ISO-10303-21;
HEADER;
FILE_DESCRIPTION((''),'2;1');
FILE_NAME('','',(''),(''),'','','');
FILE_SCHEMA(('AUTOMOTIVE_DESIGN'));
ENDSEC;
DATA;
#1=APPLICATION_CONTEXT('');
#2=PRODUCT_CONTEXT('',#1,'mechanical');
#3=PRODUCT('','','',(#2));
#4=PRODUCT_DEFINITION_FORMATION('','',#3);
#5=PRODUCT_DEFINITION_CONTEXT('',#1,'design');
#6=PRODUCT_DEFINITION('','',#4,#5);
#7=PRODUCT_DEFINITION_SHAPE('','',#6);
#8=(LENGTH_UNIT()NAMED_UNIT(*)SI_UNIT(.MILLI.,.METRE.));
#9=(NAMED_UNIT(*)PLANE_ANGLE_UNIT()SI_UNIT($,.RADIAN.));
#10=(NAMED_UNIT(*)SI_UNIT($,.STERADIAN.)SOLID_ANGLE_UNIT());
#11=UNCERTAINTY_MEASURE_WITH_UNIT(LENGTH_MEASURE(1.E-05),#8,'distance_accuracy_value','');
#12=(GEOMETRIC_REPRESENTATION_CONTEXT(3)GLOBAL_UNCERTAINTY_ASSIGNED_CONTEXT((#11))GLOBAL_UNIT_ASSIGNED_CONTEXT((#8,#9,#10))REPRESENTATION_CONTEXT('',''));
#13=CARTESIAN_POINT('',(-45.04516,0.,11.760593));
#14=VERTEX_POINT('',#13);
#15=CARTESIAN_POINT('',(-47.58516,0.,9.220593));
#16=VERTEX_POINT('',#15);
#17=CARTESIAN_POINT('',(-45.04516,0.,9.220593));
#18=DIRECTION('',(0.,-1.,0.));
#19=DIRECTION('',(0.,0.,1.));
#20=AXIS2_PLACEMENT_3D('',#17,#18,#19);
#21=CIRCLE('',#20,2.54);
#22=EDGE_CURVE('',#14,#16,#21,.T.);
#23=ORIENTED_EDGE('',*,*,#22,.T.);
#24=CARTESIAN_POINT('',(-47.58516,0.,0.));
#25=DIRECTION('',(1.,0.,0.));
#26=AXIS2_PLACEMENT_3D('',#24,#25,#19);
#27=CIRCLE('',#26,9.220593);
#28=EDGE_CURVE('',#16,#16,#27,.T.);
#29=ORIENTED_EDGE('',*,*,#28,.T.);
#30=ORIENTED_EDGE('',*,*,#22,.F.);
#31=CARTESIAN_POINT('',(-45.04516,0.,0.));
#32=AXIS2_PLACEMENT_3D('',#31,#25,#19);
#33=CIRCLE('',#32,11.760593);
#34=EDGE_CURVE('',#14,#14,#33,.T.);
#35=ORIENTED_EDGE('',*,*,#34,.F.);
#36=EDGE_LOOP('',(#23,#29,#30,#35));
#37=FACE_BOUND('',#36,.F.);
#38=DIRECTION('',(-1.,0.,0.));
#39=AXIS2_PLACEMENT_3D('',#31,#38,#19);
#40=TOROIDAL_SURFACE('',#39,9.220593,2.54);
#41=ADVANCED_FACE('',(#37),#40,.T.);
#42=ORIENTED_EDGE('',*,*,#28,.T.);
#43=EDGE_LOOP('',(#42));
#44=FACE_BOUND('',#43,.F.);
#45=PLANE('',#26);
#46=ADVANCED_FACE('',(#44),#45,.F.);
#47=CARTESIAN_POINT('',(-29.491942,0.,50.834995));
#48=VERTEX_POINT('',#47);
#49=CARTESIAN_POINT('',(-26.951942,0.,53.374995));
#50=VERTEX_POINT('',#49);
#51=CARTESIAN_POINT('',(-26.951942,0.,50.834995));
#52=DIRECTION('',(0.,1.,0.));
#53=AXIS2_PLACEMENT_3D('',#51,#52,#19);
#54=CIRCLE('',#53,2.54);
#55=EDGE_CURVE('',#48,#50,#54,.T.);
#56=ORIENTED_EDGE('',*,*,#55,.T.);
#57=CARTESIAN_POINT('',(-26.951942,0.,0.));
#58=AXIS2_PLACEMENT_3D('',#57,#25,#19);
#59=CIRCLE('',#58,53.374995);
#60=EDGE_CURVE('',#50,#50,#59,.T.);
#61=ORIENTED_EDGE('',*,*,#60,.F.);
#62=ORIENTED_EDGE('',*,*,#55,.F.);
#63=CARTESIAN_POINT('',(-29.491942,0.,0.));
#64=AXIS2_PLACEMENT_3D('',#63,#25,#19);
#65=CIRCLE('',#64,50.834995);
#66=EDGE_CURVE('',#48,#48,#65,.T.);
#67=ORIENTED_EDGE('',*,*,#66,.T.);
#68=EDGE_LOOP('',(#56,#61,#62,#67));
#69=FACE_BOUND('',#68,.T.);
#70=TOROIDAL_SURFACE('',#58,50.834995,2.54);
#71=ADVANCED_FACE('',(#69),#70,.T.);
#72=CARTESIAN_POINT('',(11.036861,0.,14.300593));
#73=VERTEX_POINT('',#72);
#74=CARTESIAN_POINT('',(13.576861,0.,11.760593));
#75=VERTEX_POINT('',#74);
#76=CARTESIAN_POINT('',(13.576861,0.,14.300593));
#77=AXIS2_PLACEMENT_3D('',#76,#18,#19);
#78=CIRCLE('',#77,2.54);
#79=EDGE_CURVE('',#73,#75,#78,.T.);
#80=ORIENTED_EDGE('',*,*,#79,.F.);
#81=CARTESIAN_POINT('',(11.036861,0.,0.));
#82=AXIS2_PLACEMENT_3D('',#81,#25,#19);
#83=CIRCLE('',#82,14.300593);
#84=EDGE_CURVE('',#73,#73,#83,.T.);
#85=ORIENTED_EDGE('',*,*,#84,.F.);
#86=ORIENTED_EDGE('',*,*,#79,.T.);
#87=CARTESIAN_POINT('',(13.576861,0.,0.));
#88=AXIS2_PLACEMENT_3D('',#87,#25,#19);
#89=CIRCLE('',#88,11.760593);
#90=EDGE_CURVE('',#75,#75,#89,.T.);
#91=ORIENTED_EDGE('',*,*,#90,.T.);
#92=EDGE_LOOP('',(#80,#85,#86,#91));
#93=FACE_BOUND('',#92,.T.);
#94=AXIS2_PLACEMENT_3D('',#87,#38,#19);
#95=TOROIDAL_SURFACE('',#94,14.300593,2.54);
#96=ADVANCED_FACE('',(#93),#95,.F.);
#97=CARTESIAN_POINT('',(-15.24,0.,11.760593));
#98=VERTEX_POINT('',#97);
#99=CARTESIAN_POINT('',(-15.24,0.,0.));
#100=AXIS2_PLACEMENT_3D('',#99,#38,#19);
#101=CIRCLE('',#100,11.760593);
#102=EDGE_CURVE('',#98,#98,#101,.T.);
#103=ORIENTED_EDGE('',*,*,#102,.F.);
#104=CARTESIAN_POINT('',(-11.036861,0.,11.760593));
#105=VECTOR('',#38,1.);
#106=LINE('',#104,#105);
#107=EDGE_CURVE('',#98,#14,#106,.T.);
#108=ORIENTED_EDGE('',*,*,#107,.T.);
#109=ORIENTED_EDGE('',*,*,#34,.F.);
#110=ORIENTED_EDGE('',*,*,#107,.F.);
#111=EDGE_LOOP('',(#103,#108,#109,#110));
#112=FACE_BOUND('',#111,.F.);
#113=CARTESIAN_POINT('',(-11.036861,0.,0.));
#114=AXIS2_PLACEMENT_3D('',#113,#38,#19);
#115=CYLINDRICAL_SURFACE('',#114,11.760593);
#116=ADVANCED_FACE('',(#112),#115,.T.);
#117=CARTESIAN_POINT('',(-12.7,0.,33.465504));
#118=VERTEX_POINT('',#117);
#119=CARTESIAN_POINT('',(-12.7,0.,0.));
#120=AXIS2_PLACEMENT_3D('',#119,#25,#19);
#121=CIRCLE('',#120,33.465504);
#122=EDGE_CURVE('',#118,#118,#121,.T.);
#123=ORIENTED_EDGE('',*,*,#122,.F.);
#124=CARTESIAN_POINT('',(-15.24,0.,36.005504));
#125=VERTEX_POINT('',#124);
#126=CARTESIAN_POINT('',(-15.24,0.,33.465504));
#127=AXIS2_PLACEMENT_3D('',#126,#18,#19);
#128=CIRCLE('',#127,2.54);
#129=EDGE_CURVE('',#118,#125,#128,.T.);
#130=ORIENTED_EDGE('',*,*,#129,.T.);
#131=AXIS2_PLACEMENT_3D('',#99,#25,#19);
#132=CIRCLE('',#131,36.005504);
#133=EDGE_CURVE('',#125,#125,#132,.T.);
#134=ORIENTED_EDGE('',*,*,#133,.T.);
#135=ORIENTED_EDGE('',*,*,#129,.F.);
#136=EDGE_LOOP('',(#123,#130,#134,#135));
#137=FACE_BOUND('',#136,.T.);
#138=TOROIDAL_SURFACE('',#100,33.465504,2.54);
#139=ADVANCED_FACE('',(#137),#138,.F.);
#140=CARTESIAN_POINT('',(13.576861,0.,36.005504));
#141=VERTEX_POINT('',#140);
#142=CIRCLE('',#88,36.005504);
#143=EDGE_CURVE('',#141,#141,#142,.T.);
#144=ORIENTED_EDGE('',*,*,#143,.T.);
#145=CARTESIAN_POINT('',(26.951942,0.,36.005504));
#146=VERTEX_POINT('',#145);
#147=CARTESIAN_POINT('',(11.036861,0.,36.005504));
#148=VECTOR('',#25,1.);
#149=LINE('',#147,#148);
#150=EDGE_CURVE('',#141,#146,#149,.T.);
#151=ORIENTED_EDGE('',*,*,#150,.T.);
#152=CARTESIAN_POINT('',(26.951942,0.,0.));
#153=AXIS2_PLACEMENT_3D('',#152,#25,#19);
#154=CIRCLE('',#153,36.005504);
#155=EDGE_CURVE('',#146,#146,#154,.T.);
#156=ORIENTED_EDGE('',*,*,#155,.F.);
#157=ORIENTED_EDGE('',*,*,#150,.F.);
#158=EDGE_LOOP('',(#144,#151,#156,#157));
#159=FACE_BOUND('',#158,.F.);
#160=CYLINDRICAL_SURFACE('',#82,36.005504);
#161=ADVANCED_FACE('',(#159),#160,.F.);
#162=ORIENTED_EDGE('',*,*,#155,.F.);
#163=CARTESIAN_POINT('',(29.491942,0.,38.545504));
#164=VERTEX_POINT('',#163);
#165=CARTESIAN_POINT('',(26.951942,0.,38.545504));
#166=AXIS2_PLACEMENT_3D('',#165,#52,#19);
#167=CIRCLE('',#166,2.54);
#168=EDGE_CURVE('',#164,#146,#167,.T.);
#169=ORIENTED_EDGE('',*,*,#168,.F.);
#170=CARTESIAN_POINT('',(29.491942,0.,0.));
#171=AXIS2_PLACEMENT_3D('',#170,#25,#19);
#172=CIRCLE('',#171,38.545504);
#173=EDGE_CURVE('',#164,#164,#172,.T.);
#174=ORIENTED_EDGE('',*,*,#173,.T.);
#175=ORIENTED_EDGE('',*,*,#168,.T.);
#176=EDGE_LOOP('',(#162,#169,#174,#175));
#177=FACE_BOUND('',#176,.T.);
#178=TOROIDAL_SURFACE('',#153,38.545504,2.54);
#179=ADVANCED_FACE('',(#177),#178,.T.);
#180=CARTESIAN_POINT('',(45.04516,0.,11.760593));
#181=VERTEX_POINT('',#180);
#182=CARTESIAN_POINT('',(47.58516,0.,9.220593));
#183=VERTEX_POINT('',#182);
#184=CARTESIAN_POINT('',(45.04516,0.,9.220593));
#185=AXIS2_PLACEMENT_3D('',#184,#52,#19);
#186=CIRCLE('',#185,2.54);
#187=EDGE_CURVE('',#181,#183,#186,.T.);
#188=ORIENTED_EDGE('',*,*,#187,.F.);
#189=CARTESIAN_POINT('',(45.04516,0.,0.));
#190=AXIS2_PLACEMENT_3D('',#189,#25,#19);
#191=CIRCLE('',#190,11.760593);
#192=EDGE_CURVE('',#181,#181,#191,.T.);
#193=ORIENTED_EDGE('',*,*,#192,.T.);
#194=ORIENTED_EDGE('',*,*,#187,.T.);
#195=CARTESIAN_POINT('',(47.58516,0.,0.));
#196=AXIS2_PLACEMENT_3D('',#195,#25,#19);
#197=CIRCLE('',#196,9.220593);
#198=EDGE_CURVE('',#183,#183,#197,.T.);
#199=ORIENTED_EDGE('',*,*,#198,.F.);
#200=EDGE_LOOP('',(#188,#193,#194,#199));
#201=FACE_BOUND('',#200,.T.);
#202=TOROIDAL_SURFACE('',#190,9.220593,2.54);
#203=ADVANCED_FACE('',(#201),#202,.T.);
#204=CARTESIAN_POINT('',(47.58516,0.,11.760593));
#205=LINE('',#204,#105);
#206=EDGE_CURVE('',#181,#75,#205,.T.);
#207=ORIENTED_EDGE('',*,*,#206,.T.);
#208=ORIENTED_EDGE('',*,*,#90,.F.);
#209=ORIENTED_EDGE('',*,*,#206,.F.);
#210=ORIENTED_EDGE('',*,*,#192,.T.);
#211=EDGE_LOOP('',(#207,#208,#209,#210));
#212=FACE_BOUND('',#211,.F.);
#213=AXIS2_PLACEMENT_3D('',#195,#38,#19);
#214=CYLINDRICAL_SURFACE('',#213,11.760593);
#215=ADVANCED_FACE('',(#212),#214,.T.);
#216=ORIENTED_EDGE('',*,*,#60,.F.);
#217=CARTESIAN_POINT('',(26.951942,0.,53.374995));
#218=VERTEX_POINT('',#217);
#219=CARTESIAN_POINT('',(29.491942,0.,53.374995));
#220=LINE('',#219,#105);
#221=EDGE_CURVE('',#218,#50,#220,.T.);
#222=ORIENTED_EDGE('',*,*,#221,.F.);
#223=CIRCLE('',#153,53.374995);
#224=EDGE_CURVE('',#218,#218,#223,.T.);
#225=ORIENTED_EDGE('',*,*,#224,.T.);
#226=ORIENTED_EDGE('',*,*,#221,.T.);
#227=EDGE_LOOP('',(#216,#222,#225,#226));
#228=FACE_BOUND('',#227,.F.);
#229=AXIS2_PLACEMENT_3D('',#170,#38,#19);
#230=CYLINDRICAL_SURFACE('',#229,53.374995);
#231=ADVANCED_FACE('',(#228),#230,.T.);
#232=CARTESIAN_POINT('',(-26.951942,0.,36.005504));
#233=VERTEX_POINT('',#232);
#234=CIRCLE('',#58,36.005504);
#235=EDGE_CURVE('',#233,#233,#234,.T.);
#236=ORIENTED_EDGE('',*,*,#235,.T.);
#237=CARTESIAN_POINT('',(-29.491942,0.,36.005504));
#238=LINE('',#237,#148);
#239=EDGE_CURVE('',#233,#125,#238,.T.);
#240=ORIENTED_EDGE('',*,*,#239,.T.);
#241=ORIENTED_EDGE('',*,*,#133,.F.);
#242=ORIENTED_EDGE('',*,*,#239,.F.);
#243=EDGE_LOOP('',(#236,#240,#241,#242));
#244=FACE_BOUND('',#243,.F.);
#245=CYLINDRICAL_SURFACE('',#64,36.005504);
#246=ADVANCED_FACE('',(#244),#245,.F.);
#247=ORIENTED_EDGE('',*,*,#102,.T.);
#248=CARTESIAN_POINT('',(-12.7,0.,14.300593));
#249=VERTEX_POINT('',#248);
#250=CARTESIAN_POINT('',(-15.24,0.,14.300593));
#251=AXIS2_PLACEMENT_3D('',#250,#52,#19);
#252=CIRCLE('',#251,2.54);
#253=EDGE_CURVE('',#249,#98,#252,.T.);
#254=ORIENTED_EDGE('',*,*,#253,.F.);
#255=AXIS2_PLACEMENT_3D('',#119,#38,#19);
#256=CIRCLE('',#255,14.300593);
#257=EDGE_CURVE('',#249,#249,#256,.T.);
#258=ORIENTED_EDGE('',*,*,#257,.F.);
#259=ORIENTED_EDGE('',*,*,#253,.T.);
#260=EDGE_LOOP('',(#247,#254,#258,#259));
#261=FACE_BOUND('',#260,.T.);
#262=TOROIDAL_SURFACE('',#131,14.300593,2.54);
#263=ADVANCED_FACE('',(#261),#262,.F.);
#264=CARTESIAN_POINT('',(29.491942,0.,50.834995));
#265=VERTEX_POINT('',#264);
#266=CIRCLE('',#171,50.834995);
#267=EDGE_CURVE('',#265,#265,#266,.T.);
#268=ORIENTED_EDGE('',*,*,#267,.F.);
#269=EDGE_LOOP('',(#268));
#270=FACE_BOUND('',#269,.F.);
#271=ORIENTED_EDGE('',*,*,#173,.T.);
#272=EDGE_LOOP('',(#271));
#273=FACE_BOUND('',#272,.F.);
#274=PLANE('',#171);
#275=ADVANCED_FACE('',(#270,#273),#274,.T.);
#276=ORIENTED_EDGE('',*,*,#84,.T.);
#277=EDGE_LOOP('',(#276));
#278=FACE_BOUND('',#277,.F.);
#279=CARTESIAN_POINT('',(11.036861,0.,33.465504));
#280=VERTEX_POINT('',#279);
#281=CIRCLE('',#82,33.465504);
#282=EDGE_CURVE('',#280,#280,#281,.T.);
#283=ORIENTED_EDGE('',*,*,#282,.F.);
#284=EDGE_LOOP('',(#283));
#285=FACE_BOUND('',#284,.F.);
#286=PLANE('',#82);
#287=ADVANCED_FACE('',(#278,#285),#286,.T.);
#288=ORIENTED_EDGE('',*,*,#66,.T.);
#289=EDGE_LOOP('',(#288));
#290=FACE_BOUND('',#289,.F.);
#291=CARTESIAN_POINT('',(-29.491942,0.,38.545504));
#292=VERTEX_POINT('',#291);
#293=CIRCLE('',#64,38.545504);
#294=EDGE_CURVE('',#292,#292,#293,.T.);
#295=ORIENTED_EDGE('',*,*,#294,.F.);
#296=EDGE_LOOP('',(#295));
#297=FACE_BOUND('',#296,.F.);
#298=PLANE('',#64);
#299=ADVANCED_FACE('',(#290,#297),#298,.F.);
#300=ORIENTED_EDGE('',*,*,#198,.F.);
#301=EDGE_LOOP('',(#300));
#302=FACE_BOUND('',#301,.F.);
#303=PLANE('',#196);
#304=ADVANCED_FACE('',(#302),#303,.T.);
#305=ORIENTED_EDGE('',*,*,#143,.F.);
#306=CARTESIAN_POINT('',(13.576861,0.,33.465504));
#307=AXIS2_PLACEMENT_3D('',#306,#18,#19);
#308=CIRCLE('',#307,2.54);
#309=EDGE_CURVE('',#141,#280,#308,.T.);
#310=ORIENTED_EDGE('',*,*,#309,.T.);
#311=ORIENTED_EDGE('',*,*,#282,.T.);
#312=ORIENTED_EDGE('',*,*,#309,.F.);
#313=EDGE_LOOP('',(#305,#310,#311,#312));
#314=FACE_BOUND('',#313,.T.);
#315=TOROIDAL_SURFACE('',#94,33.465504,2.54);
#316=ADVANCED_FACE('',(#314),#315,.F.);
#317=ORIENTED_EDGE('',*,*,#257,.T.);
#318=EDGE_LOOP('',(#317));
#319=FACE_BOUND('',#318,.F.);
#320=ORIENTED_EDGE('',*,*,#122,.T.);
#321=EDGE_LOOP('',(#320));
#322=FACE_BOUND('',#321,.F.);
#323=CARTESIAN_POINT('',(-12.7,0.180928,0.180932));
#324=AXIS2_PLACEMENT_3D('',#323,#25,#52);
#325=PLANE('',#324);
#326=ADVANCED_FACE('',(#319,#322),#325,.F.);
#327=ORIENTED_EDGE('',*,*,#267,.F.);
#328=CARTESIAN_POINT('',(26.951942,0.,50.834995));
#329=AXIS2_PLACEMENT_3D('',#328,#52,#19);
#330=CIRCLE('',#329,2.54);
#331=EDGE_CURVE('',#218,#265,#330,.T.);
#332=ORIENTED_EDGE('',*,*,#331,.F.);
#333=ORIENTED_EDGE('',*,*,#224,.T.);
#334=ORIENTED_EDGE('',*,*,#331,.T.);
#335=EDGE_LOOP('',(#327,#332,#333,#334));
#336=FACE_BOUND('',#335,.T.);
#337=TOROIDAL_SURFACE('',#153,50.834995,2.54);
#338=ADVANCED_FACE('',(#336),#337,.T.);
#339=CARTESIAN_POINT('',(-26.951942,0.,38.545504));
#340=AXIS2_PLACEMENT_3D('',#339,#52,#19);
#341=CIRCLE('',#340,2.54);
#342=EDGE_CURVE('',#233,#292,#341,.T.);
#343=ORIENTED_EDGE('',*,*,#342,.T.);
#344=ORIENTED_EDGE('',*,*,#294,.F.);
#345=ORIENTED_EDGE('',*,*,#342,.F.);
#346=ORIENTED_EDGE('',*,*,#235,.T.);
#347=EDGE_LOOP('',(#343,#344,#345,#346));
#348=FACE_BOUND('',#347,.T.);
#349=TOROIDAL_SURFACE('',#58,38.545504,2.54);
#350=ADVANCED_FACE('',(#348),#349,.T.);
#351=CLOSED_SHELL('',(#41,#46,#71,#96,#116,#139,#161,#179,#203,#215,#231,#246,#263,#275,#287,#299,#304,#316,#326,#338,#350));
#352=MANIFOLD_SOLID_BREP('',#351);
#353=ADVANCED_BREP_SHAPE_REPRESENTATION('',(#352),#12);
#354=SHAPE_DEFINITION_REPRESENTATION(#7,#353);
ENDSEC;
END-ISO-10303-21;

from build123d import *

# Parameters (mm, degrees)
F2_R     = 43.928902
F3_DEPTH = 12.7
F4_R     = 2.54


with BuildPart() as f1:
    # F0 (on Front) → F1 (revolve)
    with BuildSketch(Plane.XZ):
        Polygon((29.491942, 53.374995), (0, 53.374995), (-29.491942, 53.374995), (-29.491942, 36.005504), (-11.036861, 36.005504), (-11.036861, 11.760593), (-47.58516, 11.760593), (-47.58516, 0), (0, 0), (47.58516, 0), (47.58516, 11.760593), (11.036861, 11.760593), (11.036861, 36.005504), (29.491942, 36.005504), align=None)
    revolve(axis=Axis((-23.79258, 0, 0), (1, 0, 0)))

    # F2 (on Right) → F3 (join)
    with BuildSketch(Plane.YZ):
        with Locations((0.180928, 0.180932)):
            Circle(F2_R)
    extrude(amount=-F3_DEPTH)

    # F4
    f4_edges = [f1.edges().sort_by_distance(p)[0] for p in [
        (-29.491942, 0, -53.374995),
        (-29.491942, 0, -36.005504),
        (-47.58516, 0, -11.760593),
        (29.491942, 0, -53.374995),
        (29.491942, 0, -36.005504),
        (11.036861, 0, -11.760593),
        (11.036861, 0, -36.005504),
        (-12.7, 0, -11.760593),
        (-12.7, 0, -36.005504),
        (47.58516, 0, -11.760593),
    ]]
    fillet(f4_edges, radius=F4_R)


solid = f1.part
